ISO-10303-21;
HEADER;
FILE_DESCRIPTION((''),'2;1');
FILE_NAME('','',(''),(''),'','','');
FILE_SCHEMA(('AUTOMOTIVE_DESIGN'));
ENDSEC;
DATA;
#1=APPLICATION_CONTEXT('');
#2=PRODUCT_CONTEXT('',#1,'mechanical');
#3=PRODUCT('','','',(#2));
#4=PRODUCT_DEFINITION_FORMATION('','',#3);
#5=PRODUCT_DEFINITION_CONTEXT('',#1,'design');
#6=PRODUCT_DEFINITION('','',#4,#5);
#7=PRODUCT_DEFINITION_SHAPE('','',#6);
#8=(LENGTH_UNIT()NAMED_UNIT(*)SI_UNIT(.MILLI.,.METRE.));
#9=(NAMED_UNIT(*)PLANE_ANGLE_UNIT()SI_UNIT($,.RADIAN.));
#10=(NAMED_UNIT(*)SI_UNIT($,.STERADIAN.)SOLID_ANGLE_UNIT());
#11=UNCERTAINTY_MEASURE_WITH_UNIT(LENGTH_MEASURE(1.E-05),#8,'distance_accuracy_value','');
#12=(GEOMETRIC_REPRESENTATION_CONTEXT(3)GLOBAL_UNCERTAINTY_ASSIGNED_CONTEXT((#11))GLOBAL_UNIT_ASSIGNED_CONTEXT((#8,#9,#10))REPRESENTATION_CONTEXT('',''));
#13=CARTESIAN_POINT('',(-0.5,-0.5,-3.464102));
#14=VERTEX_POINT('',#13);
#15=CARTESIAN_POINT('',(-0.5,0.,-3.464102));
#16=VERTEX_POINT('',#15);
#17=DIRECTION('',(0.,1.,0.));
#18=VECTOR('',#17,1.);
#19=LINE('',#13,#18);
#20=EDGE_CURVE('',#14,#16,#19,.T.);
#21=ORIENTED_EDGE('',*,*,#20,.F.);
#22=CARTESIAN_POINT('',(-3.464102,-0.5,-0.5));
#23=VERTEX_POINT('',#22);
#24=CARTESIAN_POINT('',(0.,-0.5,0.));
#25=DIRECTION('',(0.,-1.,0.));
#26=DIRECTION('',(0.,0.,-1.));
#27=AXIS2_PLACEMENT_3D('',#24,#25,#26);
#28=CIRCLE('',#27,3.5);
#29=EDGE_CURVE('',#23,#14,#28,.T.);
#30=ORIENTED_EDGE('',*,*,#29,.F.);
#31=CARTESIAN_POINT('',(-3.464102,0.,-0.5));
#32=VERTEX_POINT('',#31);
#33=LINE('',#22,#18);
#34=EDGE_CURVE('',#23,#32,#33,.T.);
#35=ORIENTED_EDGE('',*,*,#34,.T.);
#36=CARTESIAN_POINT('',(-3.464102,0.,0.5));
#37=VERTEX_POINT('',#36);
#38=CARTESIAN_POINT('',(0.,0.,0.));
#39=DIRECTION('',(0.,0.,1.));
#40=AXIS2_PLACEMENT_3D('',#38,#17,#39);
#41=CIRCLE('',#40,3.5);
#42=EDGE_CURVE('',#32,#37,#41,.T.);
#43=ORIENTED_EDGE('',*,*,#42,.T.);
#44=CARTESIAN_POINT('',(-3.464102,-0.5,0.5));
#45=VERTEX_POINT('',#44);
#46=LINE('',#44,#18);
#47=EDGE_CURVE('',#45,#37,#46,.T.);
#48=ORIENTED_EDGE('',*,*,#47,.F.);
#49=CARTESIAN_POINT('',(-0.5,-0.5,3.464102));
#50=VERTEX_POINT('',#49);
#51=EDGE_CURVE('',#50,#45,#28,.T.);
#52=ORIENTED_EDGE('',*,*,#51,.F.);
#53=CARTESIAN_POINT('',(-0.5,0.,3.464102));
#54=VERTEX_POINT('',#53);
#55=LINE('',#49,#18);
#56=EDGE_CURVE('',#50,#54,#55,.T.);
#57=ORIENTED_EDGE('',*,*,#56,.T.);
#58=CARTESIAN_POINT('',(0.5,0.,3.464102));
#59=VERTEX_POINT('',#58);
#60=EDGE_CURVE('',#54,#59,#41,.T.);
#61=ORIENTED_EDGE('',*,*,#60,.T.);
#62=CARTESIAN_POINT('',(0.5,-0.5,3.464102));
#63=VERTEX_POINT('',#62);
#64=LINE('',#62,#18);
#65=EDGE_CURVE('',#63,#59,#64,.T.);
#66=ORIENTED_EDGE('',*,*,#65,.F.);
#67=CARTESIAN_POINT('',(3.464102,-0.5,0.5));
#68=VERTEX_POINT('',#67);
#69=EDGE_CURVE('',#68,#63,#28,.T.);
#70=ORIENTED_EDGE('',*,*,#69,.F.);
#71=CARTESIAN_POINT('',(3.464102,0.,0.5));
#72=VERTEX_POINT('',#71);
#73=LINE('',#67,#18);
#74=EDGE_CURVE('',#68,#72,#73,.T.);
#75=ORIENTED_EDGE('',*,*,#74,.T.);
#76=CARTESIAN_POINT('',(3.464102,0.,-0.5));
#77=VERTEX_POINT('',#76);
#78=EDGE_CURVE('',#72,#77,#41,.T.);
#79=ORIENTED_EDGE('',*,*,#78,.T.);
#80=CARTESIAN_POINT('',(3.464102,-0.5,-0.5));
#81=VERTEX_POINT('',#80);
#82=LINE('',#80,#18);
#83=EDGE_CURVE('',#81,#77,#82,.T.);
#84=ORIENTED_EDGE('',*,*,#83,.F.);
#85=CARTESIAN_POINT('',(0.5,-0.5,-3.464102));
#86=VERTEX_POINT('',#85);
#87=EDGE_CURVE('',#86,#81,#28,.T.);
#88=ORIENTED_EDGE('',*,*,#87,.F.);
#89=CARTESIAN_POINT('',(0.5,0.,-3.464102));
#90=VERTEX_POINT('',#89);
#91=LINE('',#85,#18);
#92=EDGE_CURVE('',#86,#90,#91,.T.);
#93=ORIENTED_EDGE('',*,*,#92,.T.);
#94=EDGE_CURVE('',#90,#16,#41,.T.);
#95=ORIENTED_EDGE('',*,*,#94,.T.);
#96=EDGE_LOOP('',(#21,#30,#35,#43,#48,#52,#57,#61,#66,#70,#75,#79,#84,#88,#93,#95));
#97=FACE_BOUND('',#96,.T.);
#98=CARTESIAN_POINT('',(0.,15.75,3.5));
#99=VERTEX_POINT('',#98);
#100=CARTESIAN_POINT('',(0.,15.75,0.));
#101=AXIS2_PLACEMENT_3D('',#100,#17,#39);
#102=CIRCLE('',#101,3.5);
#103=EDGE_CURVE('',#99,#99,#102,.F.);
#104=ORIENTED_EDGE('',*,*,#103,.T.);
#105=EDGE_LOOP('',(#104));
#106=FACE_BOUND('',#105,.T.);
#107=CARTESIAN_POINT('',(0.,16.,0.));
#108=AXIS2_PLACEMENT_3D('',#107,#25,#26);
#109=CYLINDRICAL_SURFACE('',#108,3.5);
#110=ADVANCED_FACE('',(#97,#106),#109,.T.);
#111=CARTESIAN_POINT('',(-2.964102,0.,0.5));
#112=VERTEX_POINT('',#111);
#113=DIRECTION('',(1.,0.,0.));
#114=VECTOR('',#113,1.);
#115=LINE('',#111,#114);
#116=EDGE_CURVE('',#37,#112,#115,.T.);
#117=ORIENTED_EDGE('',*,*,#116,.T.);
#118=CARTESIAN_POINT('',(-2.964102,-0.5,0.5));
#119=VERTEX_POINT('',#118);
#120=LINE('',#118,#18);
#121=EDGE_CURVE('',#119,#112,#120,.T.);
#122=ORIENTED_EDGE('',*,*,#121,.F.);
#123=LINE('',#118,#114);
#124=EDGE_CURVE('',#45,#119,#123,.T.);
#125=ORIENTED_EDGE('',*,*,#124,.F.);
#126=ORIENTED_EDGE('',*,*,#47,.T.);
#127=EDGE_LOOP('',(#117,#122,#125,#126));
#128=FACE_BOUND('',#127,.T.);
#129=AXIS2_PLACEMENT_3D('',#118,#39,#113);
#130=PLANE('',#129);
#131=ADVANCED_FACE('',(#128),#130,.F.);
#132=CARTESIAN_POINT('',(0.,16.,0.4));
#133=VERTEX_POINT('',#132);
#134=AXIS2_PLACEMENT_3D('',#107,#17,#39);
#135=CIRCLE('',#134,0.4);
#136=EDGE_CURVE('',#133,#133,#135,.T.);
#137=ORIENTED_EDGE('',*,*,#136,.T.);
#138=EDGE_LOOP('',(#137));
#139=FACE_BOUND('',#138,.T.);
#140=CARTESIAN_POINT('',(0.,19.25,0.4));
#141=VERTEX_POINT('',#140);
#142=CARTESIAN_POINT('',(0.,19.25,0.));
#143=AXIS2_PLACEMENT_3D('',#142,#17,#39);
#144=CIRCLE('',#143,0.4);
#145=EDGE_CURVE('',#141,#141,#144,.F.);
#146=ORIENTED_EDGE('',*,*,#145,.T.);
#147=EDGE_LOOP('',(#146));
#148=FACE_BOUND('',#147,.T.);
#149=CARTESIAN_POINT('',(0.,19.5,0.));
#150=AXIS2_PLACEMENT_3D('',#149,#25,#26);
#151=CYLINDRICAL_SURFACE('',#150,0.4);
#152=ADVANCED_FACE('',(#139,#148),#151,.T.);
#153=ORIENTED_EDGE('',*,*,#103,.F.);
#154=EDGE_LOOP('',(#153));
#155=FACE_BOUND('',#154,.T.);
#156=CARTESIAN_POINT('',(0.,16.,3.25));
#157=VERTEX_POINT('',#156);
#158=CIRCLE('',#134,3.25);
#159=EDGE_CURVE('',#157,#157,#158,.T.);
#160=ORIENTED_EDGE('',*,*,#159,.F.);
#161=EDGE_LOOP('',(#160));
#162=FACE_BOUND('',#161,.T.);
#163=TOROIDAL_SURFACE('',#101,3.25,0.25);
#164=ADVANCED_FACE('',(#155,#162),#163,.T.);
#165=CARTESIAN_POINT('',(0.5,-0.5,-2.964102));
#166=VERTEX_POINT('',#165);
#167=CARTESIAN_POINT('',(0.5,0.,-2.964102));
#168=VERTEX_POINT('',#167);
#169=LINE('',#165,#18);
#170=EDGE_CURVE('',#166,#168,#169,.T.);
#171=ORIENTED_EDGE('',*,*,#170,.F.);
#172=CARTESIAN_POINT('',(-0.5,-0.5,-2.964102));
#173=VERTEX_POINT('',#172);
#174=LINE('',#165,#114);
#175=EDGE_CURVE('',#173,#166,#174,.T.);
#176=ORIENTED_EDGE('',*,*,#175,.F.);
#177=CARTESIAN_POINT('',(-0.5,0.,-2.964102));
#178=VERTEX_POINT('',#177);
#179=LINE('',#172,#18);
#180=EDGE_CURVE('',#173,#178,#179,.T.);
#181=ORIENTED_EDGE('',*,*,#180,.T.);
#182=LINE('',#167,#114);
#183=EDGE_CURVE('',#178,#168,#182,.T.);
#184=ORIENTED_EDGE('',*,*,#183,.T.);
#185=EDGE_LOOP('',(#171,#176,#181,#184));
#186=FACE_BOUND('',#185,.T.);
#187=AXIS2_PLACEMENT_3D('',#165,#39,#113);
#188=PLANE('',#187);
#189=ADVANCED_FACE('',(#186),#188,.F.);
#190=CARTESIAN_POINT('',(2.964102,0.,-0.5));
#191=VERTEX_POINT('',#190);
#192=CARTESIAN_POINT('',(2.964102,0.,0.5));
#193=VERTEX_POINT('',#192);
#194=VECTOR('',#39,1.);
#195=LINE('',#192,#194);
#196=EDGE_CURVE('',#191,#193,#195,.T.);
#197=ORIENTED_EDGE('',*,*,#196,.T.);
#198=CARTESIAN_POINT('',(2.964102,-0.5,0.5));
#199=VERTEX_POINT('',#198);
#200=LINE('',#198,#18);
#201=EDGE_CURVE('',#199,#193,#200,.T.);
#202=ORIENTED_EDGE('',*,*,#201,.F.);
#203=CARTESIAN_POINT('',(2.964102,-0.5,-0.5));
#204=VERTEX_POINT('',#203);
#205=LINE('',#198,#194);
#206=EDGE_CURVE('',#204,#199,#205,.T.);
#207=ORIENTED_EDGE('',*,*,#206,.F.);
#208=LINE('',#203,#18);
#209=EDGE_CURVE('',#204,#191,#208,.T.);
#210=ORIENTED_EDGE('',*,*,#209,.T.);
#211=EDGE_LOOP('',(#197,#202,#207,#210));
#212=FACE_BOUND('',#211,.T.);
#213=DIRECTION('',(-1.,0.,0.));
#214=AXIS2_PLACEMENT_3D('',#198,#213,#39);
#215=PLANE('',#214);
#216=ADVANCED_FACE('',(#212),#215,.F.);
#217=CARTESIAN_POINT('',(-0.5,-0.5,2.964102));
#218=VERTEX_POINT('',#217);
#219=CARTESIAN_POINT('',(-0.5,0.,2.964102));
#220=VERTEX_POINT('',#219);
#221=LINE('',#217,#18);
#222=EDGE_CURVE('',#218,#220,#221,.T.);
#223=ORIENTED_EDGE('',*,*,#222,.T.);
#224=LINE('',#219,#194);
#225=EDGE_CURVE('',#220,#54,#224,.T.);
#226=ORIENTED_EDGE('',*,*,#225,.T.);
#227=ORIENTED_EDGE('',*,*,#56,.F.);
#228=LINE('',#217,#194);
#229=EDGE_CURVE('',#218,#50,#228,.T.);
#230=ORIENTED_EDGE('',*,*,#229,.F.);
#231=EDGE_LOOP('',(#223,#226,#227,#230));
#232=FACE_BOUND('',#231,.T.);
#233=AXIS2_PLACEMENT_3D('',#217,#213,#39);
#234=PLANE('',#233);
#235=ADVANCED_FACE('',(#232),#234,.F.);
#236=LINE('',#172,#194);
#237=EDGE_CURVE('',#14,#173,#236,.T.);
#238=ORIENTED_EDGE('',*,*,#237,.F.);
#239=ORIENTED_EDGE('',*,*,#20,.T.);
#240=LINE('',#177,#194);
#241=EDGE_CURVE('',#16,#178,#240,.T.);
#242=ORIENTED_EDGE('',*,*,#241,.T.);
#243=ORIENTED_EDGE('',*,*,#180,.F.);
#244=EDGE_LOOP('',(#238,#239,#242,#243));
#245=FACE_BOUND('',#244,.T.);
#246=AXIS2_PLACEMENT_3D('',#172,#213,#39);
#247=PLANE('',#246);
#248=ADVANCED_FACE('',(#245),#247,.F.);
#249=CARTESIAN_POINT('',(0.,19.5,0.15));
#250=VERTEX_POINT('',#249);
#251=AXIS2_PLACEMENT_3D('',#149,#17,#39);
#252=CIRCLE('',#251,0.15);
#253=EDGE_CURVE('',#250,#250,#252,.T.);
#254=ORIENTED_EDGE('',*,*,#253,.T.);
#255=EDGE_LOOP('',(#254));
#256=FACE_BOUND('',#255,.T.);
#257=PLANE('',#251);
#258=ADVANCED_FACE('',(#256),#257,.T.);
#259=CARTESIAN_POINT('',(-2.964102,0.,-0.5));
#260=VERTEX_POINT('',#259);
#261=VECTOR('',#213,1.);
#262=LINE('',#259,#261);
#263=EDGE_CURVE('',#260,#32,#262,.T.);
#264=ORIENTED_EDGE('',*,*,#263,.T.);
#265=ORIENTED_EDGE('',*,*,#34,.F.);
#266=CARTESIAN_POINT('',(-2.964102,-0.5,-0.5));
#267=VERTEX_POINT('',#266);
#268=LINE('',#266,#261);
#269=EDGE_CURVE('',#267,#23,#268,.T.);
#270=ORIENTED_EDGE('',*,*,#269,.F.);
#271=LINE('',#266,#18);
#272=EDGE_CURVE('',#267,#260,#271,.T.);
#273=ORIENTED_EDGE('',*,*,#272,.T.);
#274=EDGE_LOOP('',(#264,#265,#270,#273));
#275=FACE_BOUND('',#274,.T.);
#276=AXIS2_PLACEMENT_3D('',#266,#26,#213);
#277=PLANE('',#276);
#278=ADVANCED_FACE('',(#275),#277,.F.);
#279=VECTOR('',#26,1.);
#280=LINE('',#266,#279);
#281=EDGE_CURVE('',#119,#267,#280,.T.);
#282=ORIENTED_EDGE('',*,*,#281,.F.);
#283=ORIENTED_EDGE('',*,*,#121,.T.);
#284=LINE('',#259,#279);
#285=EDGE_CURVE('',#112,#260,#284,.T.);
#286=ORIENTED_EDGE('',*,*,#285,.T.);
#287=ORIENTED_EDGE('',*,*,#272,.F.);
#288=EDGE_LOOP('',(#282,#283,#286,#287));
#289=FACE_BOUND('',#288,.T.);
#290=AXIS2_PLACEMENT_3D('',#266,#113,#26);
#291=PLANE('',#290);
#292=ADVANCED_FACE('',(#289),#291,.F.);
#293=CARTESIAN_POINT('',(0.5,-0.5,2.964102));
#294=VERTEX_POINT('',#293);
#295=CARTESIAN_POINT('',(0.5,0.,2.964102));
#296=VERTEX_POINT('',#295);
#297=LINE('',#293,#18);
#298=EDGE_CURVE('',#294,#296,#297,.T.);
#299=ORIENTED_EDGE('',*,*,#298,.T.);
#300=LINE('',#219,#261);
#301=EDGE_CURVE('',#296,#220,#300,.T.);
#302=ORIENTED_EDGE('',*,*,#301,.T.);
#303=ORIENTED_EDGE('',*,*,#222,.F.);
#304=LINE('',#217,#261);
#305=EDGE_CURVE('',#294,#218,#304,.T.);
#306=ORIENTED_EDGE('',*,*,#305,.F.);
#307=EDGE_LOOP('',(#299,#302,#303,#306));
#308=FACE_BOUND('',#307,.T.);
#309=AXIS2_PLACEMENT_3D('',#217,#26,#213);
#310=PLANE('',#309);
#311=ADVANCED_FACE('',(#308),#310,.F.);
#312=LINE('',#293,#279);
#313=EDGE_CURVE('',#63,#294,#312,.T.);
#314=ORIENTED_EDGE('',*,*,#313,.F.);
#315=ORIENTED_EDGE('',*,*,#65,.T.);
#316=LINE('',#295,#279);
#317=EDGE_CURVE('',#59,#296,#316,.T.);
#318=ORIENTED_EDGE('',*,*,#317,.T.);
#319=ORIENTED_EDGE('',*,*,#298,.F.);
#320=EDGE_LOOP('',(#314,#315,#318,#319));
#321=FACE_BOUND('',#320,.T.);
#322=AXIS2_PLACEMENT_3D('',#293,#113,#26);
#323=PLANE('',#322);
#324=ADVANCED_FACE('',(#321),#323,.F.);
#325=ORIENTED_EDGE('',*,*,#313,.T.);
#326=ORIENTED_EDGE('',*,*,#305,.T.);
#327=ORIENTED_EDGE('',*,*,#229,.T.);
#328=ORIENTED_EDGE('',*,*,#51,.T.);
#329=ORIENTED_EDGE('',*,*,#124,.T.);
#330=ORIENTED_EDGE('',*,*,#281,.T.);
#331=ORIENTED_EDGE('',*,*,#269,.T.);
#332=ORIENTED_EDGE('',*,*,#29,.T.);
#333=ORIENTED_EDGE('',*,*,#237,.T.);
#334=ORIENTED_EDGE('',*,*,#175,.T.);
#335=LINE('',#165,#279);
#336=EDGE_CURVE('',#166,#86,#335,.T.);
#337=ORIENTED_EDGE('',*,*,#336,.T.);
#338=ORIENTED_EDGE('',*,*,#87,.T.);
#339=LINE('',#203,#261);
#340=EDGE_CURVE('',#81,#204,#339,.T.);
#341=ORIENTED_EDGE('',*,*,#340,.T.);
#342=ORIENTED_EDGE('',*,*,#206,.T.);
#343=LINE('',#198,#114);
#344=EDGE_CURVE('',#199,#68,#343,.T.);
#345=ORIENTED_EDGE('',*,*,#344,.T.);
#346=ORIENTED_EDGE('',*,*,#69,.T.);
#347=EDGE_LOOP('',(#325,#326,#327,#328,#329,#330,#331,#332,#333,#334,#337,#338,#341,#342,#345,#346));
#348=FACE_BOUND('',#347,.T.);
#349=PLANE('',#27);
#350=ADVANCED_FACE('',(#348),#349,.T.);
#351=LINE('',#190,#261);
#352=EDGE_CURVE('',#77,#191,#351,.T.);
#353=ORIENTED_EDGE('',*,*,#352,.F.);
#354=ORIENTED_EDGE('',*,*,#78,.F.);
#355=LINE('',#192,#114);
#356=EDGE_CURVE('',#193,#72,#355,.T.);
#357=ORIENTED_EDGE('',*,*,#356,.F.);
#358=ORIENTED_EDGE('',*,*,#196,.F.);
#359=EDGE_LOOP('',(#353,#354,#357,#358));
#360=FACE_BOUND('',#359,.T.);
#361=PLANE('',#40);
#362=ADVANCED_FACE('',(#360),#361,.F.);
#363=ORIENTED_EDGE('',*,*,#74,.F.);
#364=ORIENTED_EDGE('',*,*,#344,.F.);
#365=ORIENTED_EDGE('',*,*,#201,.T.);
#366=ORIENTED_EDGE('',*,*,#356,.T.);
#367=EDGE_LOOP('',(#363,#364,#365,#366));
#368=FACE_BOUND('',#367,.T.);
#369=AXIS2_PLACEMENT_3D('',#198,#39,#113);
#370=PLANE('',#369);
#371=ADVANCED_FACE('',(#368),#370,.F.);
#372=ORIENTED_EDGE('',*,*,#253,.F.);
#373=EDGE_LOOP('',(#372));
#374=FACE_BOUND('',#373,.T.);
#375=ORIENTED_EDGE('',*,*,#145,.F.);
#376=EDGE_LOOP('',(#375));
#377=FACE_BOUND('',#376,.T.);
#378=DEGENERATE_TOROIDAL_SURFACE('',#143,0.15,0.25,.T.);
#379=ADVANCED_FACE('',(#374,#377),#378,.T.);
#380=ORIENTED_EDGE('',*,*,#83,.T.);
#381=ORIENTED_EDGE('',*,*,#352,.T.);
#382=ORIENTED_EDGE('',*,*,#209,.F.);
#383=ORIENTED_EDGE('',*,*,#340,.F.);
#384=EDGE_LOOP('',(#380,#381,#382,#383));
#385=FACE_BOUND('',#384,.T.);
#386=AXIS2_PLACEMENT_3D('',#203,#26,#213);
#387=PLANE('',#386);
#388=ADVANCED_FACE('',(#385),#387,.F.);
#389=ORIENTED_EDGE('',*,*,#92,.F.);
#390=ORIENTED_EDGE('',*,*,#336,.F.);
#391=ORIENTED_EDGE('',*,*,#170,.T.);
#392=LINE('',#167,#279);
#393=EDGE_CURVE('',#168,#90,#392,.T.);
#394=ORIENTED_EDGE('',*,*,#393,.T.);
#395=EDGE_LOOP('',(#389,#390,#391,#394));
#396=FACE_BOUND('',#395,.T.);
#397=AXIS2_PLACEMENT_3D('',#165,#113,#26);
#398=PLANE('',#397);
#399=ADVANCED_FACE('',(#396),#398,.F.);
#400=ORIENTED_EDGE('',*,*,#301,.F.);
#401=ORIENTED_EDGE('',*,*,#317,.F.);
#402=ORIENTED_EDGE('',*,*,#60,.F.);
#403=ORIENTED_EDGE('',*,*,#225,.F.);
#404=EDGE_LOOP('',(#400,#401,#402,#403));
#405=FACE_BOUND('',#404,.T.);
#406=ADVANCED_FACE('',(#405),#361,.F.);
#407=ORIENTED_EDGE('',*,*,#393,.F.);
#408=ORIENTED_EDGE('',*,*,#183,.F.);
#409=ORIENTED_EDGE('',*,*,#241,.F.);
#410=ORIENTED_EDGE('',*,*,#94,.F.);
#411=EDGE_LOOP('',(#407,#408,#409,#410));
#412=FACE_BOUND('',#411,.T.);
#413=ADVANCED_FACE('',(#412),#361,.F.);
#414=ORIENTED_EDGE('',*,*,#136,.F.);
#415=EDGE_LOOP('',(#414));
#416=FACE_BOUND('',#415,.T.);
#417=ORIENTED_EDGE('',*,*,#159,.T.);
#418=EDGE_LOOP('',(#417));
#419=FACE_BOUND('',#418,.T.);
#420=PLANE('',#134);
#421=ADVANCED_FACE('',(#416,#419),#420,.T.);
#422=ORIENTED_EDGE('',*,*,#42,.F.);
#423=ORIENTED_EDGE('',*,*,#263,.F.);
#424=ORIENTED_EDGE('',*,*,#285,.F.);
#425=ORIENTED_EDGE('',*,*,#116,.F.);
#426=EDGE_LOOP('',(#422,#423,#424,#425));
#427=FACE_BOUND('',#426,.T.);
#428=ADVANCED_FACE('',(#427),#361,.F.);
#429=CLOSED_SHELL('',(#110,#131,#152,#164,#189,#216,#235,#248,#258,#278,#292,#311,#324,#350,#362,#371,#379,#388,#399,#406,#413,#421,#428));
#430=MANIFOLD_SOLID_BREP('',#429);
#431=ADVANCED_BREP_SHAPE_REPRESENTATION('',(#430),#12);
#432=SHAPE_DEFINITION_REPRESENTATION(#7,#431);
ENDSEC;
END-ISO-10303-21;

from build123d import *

# Parameters (mm, degrees)
SKETCH1_R           = 3.5
BOSS_EXTRUDE1_DEPTH = 16
BOSS_EXTRUDE2_START = 0.5
BOSS_EXTRUDE2_DEPTH = 0.5
SKETCH3_R           = 0.4
BOSS_EXTRUDE3_DEPTH = 3.5
FILLET2_R           = 0.25
FILLET3_R           = 0.25


with BuildPart() as part:
    # Sketch1 → Boss-Extrude1 (new body)
    with BuildSketch(Plane(origin=(0, 0, 0), x_dir=(1, 0, 0), z_dir=(0, 1, 0))):
        with Locations(Location((0, 0, 0), (0, 0, 270))):
            Circle(SKETCH1_R)
    extrude(amount=BOSS_EXTRUDE1_DEPTH)

    # Sketch2 → Boss-Extrude2 (add)
    with BuildSketch(Plane.XZ.offset(BOSS_EXTRUDE2_START)):
        with BuildLine():
            Line((-0.5, 2.964101615), (0.5, 2.964101615))
            Line((0.5, 2.964101615), (0.5, 3.464101615))
            ThreePointArc((0.5, 3.464101615), (2.474873734, 2.474873734), (3.464101615, 0.5))
            Line((3.464101615, 0.5), (2.964101615, 0.5))
            Line((2.964101615, 0.5), (2.964101615, -0.5))
            Line((2.964101615, -0.5), (3.464101615, -0.5))
            ThreePointArc((3.464101615, -0.5), (2.474873734, -2.474873734), (0.5, -3.464101615))
            Line((0.5, -3.464101615), (0.5, -2.964101615))
            Line((0.5, -2.964101615), (-0.5, -2.964101615))
            Line((-0.5, -2.964101615), (-0.5, -3.464101615))
            ThreePointArc((-0.5, -3.464101615), (-2.474873734, -2.474873734), (-3.464101615, -0.5))
            Line((-3.464101615, -0.5), (-2.964101615, -0.5))
            Line((-2.964101615, -0.5), (-2.964101615, 0.5))
            Line((-2.964101615, 0.5), (-3.464101615, 0.5))
            ThreePointArc((-3.464101615, 0.5), (-2.474873734, 2.474873734), (-0.5, 3.464101615))
            Line((-0.5, 3.464101615), (-0.5, 2.964101615))
        make_face()
    extrude(amount=-BOSS_EXTRUDE2_DEPTH)

    # Sketch3 → Boss-Extrude3 (add)
    with BuildSketch(Plane(origin=(0, 16, 0), x_dir=(1, 0, 0), z_dir=(0, 1, 0))):
        with Locations(Location((0, 0, 0), (0, 0, 270))):
            Circle(SKETCH3_R)
    extrude(amount=BOSS_EXTRUDE3_DEPTH)

    # Fillet2
    fillet2_edges = [part.edges().sort_by_distance(p)[0] for p in [
        (0, 16, -3.5),
    ]]
    fillet(fillet2_edges, radius=FILLET2_R)

    # Fillet3
    fillet3_edges = [part.edges().sort_by_distance(p)[0] for p in [
        (0, 19.5, -0.4),
    ]]
    fillet(fillet3_edges, radius=FILLET3_R)


solid = part.part
